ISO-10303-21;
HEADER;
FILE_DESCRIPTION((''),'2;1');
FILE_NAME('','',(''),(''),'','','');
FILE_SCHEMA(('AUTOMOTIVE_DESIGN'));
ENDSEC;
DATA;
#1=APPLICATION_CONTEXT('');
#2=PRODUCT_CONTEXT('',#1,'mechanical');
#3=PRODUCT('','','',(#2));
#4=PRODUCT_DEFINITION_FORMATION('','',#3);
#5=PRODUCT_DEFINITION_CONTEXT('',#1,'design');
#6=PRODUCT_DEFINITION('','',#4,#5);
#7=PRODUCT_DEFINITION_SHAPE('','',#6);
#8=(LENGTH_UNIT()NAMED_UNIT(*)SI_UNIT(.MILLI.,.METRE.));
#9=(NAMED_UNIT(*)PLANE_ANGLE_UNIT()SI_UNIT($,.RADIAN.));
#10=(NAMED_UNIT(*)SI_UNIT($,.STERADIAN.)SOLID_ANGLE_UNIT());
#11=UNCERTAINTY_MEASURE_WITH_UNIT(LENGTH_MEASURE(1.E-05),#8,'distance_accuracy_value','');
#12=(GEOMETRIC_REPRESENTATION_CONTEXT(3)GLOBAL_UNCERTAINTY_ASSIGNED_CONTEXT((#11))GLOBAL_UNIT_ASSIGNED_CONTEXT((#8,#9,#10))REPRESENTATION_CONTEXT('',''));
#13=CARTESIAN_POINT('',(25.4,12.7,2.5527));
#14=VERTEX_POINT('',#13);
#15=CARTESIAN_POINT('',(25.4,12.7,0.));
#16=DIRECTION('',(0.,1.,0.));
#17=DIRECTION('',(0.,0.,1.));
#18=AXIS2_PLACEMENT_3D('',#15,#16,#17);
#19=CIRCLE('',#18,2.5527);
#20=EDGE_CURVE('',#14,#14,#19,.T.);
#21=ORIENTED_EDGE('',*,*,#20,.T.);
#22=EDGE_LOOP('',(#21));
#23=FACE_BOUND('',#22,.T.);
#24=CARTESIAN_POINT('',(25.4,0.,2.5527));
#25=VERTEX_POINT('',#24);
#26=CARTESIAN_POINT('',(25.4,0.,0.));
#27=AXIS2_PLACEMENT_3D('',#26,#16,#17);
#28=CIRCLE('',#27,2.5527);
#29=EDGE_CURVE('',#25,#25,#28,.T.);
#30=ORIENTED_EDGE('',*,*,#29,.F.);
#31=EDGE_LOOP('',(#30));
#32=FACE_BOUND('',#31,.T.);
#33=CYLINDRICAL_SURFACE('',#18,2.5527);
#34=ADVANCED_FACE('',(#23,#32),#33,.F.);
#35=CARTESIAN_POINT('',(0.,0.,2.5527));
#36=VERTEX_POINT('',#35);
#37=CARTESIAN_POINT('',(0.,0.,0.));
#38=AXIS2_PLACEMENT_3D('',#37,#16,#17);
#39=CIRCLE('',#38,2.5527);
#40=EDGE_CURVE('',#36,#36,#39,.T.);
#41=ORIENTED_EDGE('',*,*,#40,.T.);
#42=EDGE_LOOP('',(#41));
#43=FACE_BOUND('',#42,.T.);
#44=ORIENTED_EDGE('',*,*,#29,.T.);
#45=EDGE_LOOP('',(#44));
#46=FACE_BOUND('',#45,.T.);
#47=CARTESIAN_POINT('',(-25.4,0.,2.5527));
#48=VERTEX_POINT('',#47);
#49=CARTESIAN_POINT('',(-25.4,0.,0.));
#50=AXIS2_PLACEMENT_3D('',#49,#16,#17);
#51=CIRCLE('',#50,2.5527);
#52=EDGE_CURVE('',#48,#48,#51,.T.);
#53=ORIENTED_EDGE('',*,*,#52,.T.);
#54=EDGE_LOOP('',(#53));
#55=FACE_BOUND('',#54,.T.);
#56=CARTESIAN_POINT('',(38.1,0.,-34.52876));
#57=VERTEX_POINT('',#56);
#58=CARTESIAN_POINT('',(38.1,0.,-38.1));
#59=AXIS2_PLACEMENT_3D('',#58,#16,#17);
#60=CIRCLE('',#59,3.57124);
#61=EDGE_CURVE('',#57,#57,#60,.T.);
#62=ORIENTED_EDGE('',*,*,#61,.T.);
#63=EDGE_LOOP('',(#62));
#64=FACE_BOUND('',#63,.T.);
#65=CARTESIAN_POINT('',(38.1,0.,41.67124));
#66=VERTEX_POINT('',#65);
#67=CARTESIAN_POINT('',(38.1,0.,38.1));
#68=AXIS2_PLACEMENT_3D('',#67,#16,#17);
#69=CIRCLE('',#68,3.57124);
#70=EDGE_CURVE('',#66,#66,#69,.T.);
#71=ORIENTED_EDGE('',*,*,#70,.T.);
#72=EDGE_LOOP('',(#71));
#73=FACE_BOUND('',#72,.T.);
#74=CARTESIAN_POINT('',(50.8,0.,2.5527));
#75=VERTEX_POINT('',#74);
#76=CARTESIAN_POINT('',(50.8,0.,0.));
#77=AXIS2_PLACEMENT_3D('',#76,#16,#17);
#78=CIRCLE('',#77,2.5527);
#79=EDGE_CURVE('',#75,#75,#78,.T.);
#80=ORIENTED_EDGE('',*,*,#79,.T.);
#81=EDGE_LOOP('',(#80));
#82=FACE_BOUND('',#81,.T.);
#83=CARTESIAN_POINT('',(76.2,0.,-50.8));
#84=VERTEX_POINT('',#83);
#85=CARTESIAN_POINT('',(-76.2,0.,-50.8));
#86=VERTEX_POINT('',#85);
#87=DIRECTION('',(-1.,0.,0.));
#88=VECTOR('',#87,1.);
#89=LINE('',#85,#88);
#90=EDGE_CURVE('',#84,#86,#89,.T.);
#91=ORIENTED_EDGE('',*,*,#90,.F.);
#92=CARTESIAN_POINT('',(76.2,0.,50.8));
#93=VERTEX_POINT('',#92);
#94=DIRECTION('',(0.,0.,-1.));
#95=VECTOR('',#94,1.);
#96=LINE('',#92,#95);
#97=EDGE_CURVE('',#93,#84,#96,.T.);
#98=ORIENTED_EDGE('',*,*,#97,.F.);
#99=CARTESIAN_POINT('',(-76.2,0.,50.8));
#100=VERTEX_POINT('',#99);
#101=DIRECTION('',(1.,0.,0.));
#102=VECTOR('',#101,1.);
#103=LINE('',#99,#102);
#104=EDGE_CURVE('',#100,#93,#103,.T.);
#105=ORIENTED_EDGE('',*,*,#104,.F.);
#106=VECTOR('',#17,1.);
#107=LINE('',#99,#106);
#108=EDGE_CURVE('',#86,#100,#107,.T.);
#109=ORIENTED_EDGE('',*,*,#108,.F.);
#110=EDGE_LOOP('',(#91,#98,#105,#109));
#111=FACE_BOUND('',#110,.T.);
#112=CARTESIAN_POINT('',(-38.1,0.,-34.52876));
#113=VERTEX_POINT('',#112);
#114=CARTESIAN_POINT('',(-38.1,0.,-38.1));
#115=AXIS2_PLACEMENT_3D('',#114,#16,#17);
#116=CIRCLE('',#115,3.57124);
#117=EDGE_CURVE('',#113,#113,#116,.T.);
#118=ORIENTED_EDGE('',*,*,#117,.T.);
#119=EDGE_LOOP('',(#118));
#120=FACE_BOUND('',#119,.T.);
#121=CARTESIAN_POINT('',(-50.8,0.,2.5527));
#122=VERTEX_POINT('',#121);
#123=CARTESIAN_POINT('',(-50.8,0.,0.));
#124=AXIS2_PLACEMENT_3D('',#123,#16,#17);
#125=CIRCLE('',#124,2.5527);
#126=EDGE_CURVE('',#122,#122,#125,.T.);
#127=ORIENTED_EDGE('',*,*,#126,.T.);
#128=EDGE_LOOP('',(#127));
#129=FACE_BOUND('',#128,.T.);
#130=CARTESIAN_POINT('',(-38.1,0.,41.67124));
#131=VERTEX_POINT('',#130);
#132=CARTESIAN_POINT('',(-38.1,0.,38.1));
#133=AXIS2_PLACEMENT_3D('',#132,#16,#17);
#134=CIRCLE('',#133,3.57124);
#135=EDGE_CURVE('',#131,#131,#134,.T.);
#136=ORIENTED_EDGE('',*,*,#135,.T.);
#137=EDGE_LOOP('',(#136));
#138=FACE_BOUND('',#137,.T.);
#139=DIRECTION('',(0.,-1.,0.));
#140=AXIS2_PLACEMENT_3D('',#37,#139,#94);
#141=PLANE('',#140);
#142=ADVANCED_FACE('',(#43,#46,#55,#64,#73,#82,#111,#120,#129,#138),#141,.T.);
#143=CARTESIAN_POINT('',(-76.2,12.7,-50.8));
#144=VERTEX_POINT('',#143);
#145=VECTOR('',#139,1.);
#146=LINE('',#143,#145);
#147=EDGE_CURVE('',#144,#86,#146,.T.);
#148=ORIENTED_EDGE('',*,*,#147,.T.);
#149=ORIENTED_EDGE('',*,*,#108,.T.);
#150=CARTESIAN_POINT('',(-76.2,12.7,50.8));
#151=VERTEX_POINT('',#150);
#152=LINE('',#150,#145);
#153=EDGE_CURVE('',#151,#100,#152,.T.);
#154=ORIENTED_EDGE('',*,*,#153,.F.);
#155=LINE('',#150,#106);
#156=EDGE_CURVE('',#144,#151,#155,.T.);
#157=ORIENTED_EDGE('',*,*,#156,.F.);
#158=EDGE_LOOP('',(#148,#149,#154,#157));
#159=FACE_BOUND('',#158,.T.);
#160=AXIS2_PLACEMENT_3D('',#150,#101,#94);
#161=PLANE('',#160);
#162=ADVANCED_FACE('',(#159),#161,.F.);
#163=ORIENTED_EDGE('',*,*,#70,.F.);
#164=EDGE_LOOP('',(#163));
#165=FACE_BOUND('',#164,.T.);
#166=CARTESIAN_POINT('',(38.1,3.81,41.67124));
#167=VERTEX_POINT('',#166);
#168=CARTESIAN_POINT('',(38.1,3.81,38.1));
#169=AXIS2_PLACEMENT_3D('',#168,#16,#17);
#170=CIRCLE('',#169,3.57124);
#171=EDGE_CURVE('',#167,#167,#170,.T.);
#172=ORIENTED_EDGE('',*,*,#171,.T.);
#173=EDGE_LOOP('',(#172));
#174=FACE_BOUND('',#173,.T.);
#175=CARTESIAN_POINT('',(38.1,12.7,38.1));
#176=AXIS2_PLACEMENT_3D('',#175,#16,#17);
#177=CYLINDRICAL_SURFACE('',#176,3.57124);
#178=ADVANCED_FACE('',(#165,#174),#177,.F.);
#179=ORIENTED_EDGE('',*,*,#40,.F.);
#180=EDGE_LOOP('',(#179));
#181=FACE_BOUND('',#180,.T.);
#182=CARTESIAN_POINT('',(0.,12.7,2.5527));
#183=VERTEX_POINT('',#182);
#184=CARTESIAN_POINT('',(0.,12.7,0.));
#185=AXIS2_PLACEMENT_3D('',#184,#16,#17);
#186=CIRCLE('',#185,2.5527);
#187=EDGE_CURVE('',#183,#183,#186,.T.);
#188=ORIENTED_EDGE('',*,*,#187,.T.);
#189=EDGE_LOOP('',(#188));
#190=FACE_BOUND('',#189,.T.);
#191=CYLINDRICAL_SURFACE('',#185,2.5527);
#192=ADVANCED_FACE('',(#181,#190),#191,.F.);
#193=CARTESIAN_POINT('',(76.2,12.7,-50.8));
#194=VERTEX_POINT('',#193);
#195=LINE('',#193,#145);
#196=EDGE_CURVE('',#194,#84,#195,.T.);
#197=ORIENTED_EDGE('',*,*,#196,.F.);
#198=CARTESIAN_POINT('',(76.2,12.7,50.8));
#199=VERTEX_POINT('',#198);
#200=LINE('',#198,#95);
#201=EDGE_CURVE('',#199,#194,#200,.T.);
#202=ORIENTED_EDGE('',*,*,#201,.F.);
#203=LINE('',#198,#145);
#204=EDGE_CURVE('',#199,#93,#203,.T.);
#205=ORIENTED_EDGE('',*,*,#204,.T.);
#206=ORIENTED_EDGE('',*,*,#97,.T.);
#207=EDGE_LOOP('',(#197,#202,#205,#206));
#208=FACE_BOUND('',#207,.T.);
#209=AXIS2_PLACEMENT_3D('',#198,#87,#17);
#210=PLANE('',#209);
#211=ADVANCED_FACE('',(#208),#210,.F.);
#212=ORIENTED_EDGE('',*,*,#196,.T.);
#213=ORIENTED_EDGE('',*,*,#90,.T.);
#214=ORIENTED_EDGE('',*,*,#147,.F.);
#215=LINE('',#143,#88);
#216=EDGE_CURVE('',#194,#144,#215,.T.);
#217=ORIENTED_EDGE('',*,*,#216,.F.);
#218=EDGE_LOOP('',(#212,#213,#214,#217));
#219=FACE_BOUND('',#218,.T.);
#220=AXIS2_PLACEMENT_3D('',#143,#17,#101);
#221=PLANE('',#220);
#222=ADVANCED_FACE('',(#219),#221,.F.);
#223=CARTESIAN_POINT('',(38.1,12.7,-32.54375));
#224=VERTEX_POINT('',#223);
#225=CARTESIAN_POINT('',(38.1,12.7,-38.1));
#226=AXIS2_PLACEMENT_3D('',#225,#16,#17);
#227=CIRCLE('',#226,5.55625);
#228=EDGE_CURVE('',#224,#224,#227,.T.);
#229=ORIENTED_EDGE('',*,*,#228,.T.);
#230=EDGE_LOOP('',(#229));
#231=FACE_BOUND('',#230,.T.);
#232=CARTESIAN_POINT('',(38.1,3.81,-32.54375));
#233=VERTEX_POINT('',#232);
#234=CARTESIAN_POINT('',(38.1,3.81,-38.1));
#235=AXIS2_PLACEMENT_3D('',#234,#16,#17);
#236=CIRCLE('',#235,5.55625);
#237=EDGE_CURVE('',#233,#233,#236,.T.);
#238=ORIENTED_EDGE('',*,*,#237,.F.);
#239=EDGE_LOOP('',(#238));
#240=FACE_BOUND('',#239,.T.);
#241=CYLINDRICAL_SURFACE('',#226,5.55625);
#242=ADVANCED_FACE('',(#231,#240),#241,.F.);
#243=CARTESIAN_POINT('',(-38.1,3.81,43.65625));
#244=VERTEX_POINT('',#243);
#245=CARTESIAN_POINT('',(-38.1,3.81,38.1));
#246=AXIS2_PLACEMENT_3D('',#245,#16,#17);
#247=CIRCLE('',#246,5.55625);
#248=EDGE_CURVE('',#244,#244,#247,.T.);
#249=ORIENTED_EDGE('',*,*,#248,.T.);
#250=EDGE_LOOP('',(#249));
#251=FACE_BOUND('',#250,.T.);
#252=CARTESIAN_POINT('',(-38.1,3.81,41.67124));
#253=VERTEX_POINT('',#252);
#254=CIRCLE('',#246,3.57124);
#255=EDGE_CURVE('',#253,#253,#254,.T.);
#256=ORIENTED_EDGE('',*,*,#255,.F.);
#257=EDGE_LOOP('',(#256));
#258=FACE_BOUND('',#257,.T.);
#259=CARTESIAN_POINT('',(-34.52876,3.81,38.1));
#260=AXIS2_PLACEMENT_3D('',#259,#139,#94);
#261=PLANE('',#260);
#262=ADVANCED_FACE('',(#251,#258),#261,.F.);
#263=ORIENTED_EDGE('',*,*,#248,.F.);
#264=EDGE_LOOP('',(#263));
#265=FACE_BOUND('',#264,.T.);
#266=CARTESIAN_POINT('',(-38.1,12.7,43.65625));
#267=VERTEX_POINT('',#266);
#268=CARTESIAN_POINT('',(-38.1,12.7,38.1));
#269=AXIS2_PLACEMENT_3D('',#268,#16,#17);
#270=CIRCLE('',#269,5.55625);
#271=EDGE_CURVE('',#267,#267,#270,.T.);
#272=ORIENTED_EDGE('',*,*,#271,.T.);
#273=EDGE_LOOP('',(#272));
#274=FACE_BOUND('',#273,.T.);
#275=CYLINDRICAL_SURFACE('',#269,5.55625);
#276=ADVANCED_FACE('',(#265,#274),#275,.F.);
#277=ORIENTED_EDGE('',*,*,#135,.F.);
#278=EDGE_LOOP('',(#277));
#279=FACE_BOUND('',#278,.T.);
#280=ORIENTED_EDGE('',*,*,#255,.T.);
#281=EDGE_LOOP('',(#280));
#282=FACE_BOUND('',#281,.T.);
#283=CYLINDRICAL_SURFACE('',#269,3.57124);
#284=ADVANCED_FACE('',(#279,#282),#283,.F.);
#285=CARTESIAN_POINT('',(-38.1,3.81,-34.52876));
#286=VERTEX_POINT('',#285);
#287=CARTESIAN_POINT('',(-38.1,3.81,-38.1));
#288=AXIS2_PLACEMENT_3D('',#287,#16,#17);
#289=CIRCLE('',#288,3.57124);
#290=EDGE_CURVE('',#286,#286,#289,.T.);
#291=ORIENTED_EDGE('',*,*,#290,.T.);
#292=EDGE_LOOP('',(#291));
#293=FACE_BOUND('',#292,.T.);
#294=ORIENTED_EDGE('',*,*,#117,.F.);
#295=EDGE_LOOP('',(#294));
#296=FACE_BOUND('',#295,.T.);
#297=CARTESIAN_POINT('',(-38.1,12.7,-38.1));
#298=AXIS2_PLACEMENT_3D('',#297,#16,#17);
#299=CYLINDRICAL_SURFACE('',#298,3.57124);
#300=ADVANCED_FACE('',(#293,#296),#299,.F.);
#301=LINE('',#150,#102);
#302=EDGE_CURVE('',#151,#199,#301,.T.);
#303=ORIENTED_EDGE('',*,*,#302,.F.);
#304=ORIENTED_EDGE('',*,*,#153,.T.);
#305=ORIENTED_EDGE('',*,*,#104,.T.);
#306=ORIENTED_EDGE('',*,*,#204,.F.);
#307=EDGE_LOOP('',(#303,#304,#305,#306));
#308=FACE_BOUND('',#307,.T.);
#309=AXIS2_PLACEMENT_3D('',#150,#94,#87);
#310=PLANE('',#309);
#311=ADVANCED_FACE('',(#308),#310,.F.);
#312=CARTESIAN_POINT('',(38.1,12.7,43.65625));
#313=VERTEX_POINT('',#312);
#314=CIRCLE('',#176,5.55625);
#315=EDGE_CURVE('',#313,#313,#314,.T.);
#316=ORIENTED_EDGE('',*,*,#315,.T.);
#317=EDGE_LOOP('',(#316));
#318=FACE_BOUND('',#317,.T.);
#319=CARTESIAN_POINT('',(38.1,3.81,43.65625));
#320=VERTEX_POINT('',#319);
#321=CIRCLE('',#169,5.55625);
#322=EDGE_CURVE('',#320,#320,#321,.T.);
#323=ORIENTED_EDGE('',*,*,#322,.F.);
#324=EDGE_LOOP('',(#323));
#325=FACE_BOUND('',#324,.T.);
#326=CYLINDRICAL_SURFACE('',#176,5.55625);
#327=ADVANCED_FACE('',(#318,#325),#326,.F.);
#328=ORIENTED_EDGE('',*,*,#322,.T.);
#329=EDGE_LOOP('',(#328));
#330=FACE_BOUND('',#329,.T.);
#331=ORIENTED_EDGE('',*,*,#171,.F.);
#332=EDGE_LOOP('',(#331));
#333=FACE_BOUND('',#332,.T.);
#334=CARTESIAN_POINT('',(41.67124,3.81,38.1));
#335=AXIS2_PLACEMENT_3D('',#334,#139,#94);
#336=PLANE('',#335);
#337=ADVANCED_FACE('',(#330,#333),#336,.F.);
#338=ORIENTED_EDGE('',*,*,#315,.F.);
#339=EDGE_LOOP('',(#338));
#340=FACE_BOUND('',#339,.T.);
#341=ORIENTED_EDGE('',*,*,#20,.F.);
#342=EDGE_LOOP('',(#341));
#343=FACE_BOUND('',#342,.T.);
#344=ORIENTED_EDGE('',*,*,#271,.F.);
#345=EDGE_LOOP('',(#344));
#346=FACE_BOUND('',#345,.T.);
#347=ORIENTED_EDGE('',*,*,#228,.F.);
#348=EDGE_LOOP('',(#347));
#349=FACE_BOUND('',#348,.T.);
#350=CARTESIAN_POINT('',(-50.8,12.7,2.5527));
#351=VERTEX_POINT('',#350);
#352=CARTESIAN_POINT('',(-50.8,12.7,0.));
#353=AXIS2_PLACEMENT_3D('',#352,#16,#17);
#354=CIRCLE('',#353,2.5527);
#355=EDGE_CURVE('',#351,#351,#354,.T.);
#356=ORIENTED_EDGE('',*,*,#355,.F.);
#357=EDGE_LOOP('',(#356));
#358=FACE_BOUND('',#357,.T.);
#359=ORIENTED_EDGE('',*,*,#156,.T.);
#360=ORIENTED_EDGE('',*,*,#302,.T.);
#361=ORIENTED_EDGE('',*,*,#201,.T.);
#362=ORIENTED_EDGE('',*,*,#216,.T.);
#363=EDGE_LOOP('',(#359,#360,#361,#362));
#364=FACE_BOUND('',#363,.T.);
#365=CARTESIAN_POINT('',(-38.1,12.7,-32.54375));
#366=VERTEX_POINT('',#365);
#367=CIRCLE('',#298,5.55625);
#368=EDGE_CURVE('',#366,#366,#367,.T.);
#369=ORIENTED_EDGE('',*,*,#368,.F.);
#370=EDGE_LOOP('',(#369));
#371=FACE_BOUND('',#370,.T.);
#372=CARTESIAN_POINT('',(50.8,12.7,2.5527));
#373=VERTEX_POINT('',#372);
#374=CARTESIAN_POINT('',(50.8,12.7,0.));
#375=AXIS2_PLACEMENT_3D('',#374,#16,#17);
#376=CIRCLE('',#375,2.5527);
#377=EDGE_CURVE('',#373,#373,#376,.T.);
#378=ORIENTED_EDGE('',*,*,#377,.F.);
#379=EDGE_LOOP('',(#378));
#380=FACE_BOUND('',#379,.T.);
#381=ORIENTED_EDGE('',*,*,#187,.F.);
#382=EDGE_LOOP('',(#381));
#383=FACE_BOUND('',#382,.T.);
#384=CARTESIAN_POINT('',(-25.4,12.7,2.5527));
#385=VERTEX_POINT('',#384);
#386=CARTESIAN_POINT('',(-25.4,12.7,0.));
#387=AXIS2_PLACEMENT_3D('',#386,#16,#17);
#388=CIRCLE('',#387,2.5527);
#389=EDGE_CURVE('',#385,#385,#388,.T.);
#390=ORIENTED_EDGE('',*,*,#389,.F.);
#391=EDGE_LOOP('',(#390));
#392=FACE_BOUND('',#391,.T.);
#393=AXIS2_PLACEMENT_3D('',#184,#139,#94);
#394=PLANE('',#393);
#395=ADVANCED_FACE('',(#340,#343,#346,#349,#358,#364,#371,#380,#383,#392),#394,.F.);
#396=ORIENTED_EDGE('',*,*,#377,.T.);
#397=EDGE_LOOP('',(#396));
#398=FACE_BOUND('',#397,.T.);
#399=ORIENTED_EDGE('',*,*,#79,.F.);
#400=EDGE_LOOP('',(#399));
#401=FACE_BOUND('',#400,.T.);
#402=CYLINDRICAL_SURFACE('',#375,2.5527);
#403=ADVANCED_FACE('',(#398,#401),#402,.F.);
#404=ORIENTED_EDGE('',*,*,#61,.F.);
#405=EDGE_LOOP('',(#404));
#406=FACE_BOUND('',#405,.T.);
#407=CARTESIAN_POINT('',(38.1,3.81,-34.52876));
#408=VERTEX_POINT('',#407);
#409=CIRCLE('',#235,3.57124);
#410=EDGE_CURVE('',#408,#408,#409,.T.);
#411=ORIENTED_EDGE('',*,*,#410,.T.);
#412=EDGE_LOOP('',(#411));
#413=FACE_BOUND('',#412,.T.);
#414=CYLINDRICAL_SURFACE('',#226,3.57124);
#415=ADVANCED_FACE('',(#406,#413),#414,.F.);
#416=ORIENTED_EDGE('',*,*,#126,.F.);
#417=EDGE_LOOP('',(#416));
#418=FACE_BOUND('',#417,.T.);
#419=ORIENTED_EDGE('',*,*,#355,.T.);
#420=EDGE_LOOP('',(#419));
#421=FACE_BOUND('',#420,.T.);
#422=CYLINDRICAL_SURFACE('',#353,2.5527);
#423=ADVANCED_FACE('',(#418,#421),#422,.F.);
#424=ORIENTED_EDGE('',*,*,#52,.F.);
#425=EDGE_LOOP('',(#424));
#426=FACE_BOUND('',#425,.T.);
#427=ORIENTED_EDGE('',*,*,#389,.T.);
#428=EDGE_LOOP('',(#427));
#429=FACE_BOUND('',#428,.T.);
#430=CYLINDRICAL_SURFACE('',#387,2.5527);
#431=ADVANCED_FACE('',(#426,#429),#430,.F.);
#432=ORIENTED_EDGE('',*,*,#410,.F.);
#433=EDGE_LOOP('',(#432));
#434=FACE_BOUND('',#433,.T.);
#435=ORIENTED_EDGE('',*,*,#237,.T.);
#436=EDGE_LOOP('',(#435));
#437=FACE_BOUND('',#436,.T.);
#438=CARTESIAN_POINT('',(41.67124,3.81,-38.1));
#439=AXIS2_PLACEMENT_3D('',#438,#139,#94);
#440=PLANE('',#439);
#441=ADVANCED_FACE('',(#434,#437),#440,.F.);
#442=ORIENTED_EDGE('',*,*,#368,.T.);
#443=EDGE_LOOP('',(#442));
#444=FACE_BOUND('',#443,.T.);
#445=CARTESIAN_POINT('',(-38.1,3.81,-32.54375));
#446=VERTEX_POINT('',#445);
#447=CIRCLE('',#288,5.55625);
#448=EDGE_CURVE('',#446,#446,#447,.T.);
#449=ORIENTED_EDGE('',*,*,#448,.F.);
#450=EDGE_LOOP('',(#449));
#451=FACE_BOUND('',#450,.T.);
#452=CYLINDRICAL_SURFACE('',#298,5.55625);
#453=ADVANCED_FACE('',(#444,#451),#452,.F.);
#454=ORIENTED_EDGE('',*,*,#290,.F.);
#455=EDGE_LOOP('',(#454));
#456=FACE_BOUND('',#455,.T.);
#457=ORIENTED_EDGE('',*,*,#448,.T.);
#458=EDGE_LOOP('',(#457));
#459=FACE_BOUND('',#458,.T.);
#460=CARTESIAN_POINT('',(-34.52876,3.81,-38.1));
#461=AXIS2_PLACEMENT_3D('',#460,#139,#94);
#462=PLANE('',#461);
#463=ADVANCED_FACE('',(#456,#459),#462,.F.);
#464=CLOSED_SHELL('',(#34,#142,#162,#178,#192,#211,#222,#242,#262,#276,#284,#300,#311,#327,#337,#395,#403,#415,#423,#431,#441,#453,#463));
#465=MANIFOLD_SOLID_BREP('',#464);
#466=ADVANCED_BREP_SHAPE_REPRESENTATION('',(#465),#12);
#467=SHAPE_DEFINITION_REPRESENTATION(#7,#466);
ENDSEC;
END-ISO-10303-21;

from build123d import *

# Parameters (mm, degrees)
SKETCH1_W                                        = 152.4
SKETCH1_H                                        = 101.6
BOSS_EXTRUDE1_DEPTH                              = 12.7
CBORE_FOR_1_4_SOCKET_HEAD_CAP_SCREW1_D           = 7.14248
CBORE_FOR_1_4_SOCKET_HEAD_CAP_SCREW1_CBORE_D     = 11.1125
CBORE_FOR_1_4_SOCKET_HEAD_CAP_SCREW1_CBORE_DEPTH = 8.89
TAP_DRILL_FOR_1_4_20_TAP1_D                      = 5.1054


with BuildPart() as part:
    # Sketch1 → Boss-Extrude1 (new body)
    with BuildSketch(Plane(origin=(0, 0, 0), x_dir=(1, 0, 0), z_dir=(0, 1, 0))):
        Rectangle(SKETCH1_W, SKETCH1_H)
    extrude(amount=BOSS_EXTRUDE1_DEPTH)

    # CBORE for 1/4 Socket Head Cap Screw1 (through all)
    with Locations(Plane(origin=(0, 12.7, 0), x_dir=(1, 0, 0), z_dir=(0, 1, 0))):
        with Locations((-38.1, 38.1), (38.1, 38.1), (38.1, -38.1), (-38.1, -38.1)):
            CounterBoreHole(CBORE_FOR_1_4_SOCKET_HEAD_CAP_SCREW1_D / 2, CBORE_FOR_1_4_SOCKET_HEAD_CAP_SCREW1_CBORE_D / 2, CBORE_FOR_1_4_SOCKET_HEAD_CAP_SCREW1_CBORE_DEPTH)

    # Tap Drill for 1/4-20 Tap1 (through all)
    with Locations(Plane(origin=(0, 12.7, 0), x_dir=(1, 0, 0), z_dir=(0, 1, 0))):
        with Locations((0, 0), (25.4, 0), (50.8, 0), (-25.4, 0), (-50.8, 0)):
            Hole(TAP_DRILL_FOR_1_4_20_TAP1_D / 2)


solid = part.part
